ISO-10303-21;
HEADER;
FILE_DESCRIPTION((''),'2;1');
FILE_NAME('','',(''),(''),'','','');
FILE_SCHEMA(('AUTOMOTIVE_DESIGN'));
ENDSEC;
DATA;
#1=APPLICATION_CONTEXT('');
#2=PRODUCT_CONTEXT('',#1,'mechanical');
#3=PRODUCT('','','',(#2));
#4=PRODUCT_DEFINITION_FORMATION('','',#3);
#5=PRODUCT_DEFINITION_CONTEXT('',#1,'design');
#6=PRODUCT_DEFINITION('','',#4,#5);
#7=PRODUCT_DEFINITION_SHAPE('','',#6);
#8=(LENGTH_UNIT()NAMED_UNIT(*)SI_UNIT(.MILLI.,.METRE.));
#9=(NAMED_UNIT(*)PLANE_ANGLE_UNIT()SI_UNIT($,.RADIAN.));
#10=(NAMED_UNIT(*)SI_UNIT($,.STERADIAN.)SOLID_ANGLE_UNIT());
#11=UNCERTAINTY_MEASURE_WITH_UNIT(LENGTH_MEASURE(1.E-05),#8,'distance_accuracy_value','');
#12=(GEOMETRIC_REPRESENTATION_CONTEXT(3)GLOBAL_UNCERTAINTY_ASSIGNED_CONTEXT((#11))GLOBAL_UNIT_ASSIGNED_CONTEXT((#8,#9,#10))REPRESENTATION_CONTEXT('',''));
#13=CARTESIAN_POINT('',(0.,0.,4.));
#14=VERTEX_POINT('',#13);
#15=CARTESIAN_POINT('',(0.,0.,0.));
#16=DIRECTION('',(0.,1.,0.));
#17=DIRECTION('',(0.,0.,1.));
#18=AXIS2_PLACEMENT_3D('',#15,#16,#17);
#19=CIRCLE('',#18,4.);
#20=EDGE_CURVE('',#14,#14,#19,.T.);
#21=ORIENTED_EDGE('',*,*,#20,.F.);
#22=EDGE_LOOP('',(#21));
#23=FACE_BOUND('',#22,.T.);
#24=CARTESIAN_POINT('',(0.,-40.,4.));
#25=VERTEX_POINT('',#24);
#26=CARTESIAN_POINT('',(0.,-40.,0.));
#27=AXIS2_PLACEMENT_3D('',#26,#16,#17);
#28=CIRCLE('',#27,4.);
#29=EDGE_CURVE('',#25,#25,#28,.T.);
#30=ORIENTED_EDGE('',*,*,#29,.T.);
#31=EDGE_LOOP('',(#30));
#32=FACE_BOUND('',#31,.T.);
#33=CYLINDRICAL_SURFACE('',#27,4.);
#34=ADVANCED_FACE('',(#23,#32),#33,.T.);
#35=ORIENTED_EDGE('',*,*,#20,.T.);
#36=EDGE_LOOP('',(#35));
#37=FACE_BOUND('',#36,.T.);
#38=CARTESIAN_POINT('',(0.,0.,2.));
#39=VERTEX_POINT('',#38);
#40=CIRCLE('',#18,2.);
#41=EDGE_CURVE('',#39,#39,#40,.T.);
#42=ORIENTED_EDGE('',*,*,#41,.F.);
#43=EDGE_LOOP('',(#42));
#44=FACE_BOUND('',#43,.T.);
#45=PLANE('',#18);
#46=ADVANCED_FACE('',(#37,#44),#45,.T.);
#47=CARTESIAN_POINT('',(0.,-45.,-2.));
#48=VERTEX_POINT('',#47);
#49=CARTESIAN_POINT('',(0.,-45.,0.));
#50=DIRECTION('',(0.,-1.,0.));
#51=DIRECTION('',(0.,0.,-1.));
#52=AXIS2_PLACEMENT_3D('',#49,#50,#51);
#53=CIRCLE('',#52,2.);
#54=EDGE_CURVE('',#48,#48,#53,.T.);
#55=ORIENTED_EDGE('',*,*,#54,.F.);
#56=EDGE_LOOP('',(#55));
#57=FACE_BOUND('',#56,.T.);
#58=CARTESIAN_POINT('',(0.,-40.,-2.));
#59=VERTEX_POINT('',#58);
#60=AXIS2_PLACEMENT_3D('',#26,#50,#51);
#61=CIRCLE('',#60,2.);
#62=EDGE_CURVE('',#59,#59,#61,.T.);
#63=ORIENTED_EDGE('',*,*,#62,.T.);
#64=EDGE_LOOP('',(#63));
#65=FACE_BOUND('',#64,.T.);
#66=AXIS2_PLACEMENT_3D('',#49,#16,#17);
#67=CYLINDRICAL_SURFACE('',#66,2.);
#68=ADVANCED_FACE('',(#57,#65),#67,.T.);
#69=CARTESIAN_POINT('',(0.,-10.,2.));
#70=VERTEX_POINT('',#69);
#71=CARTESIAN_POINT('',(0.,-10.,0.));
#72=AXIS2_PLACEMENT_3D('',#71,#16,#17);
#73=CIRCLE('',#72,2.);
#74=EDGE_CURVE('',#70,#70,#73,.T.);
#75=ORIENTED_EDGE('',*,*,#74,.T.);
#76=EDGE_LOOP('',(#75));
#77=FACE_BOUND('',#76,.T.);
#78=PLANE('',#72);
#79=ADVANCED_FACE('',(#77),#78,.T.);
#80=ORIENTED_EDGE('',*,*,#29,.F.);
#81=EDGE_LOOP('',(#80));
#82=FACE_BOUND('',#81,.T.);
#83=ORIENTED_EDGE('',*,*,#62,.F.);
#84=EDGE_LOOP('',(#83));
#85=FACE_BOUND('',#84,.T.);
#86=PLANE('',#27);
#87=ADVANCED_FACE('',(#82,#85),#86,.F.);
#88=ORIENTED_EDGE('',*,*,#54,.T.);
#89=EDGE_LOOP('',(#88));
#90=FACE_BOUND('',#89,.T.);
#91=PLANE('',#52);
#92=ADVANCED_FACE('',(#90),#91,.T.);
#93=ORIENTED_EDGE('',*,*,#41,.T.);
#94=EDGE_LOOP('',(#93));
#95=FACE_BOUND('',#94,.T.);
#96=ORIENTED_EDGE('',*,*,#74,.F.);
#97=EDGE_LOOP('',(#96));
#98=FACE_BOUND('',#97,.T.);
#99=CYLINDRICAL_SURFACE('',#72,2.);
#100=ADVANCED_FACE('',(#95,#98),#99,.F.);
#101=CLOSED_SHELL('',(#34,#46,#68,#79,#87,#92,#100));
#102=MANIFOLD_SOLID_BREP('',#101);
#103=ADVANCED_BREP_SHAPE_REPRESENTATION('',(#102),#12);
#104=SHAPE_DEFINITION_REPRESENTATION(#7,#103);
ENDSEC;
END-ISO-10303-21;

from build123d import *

# Parameters (mm, degrees)
ESQUISSE1_R             = 4
BOSS_EXTRU_1_DEPTH      = 40
ESQUISSE3_R             = 2
ENL_V_MAT_EXTRU_1_DEPTH = 10
ESQUISSE4_R             = 2
BOSS_EXTRU_2_DEPTH      = 5


with BuildPart() as part:
    # Esquisse1 → Boss.-Extru.1 (new body)
    with BuildSketch(Plane(origin=(0, 0, 0), x_dir=(1, 0, 0), z_dir=(0, 1, 0))):
        Circle(ESQUISSE1_R)
    extrude(amount=-BOSS_EXTRU_1_DEPTH)

    # Esquisse3 → Enlèv. mat.-Extru.1 (cut)
    with BuildSketch(Plane(origin=(0, 0, 0), x_dir=(1, 0, 0), z_dir=(0, 1, 0))):
        Circle(ESQUISSE3_R)
    extrude(amount=-ENL_V_MAT_EXTRU_1_DEPTH, mode=Mode.SUBTRACT)

    # Esquisse4 → Boss.-Extru.2 (add)
    with BuildSketch(Plane.XZ.offset(40)):
        Circle(ESQUISSE4_R)
    extrude(amount=BOSS_EXTRU_2_DEPTH)


solid = part.part
